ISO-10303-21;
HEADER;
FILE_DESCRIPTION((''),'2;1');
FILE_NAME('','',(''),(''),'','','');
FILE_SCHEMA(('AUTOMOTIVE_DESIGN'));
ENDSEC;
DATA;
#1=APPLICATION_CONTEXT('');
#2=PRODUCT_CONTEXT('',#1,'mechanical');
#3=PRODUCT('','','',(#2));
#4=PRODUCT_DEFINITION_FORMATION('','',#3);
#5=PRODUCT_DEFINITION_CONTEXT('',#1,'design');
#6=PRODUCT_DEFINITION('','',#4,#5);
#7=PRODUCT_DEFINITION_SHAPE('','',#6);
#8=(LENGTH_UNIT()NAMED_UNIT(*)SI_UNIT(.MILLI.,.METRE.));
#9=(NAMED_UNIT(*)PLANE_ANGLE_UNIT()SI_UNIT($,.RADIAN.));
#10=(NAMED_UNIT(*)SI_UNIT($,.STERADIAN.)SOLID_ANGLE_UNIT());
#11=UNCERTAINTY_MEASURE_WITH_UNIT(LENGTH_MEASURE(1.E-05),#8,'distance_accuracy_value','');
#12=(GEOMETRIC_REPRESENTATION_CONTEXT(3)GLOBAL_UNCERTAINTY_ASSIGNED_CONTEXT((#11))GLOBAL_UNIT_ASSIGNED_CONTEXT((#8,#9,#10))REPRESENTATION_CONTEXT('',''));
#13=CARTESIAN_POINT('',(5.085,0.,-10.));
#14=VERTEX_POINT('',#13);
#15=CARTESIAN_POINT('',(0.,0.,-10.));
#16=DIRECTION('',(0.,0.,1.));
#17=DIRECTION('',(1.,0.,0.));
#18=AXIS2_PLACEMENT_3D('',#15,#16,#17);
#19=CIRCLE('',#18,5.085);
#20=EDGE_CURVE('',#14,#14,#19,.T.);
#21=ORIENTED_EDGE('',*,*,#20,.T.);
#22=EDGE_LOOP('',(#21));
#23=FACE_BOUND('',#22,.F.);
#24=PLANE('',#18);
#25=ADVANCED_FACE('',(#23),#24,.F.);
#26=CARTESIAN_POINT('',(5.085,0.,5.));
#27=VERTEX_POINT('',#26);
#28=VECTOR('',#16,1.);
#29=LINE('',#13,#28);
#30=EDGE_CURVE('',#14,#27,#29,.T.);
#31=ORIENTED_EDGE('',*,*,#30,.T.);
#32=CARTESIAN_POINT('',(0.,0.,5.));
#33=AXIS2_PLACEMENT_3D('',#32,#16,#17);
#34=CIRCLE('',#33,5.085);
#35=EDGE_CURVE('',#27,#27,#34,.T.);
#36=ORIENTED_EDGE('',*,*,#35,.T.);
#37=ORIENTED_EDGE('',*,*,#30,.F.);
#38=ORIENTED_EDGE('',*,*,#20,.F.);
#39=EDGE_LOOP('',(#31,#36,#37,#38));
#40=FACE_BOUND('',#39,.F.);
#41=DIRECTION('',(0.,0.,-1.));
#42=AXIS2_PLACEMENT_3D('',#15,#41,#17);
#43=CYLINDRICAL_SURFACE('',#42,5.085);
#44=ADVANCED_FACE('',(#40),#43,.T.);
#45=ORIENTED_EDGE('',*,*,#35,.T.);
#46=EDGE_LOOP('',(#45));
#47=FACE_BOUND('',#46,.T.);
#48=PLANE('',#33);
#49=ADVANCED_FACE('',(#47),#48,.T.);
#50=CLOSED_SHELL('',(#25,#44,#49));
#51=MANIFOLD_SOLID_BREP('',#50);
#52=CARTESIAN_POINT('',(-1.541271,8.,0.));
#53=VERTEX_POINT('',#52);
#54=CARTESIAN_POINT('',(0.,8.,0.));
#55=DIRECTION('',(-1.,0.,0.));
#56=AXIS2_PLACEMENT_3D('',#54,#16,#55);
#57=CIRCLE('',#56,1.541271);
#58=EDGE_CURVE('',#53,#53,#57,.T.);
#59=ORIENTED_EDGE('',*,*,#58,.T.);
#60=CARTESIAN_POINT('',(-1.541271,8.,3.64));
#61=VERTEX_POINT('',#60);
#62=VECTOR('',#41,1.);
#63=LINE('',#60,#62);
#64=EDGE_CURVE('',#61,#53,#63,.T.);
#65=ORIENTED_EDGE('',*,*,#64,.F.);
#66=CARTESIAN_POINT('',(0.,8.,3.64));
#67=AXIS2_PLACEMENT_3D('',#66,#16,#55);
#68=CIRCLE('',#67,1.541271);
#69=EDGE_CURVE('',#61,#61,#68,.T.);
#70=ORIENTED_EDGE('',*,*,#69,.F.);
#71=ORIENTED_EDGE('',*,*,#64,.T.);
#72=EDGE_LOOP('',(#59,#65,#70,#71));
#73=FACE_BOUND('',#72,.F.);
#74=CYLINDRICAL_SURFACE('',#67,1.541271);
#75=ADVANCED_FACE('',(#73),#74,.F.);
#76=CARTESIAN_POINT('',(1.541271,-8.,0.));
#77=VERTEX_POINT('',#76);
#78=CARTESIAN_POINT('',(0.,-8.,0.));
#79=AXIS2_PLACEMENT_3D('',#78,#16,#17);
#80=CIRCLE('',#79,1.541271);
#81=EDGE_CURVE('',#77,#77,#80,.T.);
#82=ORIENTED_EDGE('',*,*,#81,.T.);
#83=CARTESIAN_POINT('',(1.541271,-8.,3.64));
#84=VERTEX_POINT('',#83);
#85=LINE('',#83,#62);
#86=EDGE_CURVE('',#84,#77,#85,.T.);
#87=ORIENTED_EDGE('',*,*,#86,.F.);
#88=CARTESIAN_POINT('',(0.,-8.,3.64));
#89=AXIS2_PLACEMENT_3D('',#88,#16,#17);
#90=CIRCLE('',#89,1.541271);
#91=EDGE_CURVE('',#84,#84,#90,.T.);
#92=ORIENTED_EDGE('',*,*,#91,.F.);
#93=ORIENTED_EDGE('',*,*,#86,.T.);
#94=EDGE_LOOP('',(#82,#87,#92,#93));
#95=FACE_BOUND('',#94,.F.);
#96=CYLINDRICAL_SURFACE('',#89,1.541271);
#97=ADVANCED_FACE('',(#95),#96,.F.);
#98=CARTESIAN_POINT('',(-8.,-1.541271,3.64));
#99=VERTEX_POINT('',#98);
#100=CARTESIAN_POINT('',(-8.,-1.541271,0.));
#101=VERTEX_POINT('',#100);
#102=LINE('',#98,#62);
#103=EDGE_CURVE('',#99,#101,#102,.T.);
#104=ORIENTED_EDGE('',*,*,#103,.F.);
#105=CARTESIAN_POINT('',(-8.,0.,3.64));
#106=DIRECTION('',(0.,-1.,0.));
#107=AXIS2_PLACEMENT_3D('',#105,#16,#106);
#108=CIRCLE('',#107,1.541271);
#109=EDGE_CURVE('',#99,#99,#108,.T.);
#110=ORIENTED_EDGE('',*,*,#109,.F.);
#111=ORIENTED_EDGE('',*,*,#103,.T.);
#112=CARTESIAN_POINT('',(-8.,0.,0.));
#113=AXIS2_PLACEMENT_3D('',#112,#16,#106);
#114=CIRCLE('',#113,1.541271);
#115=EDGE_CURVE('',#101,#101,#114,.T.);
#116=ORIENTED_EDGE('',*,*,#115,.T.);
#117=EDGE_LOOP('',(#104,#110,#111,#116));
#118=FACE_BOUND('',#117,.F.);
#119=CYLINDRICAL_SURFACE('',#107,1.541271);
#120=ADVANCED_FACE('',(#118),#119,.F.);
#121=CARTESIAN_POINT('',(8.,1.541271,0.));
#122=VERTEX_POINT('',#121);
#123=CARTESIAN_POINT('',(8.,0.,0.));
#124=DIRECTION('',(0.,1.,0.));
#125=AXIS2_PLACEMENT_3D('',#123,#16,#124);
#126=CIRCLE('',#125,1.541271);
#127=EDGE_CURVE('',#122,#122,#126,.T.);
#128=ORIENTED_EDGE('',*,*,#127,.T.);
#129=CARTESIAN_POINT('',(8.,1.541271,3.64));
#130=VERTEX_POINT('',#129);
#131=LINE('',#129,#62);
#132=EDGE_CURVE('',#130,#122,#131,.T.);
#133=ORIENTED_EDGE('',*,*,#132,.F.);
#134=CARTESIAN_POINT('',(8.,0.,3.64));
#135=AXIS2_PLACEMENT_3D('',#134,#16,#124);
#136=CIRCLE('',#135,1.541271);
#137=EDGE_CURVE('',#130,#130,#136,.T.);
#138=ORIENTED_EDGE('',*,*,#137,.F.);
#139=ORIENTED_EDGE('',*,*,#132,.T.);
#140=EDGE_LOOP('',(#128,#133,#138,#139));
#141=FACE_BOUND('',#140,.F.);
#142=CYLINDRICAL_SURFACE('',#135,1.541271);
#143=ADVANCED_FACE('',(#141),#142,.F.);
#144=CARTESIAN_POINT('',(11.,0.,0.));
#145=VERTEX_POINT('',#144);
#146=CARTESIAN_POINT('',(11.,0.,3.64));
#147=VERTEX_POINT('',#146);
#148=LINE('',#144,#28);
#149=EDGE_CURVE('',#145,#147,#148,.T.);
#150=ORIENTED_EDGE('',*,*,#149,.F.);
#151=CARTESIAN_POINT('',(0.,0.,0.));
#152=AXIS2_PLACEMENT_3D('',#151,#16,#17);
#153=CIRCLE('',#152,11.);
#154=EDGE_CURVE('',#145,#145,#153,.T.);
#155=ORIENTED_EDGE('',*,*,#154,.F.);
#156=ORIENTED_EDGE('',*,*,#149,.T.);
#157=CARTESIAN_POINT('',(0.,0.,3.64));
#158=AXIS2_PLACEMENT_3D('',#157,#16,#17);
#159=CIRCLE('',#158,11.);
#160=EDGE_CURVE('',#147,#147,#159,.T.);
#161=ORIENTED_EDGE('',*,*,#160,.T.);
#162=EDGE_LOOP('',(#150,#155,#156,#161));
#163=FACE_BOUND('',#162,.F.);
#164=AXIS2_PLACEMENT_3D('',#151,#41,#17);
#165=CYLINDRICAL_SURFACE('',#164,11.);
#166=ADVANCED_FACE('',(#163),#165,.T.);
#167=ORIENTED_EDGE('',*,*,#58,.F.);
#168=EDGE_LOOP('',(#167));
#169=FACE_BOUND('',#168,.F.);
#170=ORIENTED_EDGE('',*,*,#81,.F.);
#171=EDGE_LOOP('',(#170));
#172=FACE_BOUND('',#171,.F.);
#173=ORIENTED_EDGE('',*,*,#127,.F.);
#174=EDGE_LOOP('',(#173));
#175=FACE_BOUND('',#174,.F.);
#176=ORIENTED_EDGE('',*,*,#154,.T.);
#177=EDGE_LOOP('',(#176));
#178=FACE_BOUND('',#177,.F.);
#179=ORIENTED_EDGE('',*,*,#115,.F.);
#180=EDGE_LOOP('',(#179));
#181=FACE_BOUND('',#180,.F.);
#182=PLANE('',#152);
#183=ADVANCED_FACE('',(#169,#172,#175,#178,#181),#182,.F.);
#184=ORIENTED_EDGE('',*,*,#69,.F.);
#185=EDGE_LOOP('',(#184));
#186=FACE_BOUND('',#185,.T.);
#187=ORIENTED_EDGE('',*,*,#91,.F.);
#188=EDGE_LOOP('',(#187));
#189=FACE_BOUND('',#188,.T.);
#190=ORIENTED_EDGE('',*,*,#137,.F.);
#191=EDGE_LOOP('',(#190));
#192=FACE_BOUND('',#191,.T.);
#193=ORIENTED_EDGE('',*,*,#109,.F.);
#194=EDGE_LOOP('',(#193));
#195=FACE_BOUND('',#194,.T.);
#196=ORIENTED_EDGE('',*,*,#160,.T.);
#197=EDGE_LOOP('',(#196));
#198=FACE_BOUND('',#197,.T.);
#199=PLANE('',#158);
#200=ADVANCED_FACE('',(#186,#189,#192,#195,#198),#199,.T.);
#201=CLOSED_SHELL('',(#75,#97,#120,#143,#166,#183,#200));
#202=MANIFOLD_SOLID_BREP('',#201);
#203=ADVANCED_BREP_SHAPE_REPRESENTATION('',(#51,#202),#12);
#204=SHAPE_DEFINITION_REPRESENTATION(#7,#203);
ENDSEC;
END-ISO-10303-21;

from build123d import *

# Parameters (mm, degrees)
CYLINDER001_R      = 5.085
CYLINDER001_DEPTH  = 15
CYLINDER_R         = 11
CYLINDER_DEPTH     = 3.64
SKETCH_R           = 1.541271
POCKET_DEPTH       = 66.290808
POLARPATTERN_COUNT = 4


with BuildPart() as cylinder001:
    # Cylinder001 → Cylinder001 (new body)
    with BuildSketch(Plane.XY.offset(-10)):
        Circle(CYLINDER001_R)
    extrude(amount=CYLINDER001_DEPTH)


with BuildPart() as polarpattern:
    # Cylinder → Cylinder (new body)
    with BuildSketch(Plane.XY):
        Circle(CYLINDER_R)
    extrude(amount=CYLINDER_DEPTH)

    # Sketch → Pocket (cut, through all)
    with BuildSketch(Plane.XY.offset(3.64)):
        with Locations((0, -8)):
            Circle(SKETCH_R)
    pocket = extrude(amount=-POCKET_DEPTH, mode=Mode.SUBTRACT)

    # PolarPattern: Pocket ×4 about axis
    polarpattern_axis = Axis((0, 0, 3.64), (0, 0, 1))
    for i in range(1, POLARPATTERN_COUNT):
        add(pocket.rotate(polarpattern_axis, i * 360 / POLARPATTERN_COUNT), mode=Mode.SUBTRACT)


solid = Compound([cylinder001.part, polarpattern.part])
